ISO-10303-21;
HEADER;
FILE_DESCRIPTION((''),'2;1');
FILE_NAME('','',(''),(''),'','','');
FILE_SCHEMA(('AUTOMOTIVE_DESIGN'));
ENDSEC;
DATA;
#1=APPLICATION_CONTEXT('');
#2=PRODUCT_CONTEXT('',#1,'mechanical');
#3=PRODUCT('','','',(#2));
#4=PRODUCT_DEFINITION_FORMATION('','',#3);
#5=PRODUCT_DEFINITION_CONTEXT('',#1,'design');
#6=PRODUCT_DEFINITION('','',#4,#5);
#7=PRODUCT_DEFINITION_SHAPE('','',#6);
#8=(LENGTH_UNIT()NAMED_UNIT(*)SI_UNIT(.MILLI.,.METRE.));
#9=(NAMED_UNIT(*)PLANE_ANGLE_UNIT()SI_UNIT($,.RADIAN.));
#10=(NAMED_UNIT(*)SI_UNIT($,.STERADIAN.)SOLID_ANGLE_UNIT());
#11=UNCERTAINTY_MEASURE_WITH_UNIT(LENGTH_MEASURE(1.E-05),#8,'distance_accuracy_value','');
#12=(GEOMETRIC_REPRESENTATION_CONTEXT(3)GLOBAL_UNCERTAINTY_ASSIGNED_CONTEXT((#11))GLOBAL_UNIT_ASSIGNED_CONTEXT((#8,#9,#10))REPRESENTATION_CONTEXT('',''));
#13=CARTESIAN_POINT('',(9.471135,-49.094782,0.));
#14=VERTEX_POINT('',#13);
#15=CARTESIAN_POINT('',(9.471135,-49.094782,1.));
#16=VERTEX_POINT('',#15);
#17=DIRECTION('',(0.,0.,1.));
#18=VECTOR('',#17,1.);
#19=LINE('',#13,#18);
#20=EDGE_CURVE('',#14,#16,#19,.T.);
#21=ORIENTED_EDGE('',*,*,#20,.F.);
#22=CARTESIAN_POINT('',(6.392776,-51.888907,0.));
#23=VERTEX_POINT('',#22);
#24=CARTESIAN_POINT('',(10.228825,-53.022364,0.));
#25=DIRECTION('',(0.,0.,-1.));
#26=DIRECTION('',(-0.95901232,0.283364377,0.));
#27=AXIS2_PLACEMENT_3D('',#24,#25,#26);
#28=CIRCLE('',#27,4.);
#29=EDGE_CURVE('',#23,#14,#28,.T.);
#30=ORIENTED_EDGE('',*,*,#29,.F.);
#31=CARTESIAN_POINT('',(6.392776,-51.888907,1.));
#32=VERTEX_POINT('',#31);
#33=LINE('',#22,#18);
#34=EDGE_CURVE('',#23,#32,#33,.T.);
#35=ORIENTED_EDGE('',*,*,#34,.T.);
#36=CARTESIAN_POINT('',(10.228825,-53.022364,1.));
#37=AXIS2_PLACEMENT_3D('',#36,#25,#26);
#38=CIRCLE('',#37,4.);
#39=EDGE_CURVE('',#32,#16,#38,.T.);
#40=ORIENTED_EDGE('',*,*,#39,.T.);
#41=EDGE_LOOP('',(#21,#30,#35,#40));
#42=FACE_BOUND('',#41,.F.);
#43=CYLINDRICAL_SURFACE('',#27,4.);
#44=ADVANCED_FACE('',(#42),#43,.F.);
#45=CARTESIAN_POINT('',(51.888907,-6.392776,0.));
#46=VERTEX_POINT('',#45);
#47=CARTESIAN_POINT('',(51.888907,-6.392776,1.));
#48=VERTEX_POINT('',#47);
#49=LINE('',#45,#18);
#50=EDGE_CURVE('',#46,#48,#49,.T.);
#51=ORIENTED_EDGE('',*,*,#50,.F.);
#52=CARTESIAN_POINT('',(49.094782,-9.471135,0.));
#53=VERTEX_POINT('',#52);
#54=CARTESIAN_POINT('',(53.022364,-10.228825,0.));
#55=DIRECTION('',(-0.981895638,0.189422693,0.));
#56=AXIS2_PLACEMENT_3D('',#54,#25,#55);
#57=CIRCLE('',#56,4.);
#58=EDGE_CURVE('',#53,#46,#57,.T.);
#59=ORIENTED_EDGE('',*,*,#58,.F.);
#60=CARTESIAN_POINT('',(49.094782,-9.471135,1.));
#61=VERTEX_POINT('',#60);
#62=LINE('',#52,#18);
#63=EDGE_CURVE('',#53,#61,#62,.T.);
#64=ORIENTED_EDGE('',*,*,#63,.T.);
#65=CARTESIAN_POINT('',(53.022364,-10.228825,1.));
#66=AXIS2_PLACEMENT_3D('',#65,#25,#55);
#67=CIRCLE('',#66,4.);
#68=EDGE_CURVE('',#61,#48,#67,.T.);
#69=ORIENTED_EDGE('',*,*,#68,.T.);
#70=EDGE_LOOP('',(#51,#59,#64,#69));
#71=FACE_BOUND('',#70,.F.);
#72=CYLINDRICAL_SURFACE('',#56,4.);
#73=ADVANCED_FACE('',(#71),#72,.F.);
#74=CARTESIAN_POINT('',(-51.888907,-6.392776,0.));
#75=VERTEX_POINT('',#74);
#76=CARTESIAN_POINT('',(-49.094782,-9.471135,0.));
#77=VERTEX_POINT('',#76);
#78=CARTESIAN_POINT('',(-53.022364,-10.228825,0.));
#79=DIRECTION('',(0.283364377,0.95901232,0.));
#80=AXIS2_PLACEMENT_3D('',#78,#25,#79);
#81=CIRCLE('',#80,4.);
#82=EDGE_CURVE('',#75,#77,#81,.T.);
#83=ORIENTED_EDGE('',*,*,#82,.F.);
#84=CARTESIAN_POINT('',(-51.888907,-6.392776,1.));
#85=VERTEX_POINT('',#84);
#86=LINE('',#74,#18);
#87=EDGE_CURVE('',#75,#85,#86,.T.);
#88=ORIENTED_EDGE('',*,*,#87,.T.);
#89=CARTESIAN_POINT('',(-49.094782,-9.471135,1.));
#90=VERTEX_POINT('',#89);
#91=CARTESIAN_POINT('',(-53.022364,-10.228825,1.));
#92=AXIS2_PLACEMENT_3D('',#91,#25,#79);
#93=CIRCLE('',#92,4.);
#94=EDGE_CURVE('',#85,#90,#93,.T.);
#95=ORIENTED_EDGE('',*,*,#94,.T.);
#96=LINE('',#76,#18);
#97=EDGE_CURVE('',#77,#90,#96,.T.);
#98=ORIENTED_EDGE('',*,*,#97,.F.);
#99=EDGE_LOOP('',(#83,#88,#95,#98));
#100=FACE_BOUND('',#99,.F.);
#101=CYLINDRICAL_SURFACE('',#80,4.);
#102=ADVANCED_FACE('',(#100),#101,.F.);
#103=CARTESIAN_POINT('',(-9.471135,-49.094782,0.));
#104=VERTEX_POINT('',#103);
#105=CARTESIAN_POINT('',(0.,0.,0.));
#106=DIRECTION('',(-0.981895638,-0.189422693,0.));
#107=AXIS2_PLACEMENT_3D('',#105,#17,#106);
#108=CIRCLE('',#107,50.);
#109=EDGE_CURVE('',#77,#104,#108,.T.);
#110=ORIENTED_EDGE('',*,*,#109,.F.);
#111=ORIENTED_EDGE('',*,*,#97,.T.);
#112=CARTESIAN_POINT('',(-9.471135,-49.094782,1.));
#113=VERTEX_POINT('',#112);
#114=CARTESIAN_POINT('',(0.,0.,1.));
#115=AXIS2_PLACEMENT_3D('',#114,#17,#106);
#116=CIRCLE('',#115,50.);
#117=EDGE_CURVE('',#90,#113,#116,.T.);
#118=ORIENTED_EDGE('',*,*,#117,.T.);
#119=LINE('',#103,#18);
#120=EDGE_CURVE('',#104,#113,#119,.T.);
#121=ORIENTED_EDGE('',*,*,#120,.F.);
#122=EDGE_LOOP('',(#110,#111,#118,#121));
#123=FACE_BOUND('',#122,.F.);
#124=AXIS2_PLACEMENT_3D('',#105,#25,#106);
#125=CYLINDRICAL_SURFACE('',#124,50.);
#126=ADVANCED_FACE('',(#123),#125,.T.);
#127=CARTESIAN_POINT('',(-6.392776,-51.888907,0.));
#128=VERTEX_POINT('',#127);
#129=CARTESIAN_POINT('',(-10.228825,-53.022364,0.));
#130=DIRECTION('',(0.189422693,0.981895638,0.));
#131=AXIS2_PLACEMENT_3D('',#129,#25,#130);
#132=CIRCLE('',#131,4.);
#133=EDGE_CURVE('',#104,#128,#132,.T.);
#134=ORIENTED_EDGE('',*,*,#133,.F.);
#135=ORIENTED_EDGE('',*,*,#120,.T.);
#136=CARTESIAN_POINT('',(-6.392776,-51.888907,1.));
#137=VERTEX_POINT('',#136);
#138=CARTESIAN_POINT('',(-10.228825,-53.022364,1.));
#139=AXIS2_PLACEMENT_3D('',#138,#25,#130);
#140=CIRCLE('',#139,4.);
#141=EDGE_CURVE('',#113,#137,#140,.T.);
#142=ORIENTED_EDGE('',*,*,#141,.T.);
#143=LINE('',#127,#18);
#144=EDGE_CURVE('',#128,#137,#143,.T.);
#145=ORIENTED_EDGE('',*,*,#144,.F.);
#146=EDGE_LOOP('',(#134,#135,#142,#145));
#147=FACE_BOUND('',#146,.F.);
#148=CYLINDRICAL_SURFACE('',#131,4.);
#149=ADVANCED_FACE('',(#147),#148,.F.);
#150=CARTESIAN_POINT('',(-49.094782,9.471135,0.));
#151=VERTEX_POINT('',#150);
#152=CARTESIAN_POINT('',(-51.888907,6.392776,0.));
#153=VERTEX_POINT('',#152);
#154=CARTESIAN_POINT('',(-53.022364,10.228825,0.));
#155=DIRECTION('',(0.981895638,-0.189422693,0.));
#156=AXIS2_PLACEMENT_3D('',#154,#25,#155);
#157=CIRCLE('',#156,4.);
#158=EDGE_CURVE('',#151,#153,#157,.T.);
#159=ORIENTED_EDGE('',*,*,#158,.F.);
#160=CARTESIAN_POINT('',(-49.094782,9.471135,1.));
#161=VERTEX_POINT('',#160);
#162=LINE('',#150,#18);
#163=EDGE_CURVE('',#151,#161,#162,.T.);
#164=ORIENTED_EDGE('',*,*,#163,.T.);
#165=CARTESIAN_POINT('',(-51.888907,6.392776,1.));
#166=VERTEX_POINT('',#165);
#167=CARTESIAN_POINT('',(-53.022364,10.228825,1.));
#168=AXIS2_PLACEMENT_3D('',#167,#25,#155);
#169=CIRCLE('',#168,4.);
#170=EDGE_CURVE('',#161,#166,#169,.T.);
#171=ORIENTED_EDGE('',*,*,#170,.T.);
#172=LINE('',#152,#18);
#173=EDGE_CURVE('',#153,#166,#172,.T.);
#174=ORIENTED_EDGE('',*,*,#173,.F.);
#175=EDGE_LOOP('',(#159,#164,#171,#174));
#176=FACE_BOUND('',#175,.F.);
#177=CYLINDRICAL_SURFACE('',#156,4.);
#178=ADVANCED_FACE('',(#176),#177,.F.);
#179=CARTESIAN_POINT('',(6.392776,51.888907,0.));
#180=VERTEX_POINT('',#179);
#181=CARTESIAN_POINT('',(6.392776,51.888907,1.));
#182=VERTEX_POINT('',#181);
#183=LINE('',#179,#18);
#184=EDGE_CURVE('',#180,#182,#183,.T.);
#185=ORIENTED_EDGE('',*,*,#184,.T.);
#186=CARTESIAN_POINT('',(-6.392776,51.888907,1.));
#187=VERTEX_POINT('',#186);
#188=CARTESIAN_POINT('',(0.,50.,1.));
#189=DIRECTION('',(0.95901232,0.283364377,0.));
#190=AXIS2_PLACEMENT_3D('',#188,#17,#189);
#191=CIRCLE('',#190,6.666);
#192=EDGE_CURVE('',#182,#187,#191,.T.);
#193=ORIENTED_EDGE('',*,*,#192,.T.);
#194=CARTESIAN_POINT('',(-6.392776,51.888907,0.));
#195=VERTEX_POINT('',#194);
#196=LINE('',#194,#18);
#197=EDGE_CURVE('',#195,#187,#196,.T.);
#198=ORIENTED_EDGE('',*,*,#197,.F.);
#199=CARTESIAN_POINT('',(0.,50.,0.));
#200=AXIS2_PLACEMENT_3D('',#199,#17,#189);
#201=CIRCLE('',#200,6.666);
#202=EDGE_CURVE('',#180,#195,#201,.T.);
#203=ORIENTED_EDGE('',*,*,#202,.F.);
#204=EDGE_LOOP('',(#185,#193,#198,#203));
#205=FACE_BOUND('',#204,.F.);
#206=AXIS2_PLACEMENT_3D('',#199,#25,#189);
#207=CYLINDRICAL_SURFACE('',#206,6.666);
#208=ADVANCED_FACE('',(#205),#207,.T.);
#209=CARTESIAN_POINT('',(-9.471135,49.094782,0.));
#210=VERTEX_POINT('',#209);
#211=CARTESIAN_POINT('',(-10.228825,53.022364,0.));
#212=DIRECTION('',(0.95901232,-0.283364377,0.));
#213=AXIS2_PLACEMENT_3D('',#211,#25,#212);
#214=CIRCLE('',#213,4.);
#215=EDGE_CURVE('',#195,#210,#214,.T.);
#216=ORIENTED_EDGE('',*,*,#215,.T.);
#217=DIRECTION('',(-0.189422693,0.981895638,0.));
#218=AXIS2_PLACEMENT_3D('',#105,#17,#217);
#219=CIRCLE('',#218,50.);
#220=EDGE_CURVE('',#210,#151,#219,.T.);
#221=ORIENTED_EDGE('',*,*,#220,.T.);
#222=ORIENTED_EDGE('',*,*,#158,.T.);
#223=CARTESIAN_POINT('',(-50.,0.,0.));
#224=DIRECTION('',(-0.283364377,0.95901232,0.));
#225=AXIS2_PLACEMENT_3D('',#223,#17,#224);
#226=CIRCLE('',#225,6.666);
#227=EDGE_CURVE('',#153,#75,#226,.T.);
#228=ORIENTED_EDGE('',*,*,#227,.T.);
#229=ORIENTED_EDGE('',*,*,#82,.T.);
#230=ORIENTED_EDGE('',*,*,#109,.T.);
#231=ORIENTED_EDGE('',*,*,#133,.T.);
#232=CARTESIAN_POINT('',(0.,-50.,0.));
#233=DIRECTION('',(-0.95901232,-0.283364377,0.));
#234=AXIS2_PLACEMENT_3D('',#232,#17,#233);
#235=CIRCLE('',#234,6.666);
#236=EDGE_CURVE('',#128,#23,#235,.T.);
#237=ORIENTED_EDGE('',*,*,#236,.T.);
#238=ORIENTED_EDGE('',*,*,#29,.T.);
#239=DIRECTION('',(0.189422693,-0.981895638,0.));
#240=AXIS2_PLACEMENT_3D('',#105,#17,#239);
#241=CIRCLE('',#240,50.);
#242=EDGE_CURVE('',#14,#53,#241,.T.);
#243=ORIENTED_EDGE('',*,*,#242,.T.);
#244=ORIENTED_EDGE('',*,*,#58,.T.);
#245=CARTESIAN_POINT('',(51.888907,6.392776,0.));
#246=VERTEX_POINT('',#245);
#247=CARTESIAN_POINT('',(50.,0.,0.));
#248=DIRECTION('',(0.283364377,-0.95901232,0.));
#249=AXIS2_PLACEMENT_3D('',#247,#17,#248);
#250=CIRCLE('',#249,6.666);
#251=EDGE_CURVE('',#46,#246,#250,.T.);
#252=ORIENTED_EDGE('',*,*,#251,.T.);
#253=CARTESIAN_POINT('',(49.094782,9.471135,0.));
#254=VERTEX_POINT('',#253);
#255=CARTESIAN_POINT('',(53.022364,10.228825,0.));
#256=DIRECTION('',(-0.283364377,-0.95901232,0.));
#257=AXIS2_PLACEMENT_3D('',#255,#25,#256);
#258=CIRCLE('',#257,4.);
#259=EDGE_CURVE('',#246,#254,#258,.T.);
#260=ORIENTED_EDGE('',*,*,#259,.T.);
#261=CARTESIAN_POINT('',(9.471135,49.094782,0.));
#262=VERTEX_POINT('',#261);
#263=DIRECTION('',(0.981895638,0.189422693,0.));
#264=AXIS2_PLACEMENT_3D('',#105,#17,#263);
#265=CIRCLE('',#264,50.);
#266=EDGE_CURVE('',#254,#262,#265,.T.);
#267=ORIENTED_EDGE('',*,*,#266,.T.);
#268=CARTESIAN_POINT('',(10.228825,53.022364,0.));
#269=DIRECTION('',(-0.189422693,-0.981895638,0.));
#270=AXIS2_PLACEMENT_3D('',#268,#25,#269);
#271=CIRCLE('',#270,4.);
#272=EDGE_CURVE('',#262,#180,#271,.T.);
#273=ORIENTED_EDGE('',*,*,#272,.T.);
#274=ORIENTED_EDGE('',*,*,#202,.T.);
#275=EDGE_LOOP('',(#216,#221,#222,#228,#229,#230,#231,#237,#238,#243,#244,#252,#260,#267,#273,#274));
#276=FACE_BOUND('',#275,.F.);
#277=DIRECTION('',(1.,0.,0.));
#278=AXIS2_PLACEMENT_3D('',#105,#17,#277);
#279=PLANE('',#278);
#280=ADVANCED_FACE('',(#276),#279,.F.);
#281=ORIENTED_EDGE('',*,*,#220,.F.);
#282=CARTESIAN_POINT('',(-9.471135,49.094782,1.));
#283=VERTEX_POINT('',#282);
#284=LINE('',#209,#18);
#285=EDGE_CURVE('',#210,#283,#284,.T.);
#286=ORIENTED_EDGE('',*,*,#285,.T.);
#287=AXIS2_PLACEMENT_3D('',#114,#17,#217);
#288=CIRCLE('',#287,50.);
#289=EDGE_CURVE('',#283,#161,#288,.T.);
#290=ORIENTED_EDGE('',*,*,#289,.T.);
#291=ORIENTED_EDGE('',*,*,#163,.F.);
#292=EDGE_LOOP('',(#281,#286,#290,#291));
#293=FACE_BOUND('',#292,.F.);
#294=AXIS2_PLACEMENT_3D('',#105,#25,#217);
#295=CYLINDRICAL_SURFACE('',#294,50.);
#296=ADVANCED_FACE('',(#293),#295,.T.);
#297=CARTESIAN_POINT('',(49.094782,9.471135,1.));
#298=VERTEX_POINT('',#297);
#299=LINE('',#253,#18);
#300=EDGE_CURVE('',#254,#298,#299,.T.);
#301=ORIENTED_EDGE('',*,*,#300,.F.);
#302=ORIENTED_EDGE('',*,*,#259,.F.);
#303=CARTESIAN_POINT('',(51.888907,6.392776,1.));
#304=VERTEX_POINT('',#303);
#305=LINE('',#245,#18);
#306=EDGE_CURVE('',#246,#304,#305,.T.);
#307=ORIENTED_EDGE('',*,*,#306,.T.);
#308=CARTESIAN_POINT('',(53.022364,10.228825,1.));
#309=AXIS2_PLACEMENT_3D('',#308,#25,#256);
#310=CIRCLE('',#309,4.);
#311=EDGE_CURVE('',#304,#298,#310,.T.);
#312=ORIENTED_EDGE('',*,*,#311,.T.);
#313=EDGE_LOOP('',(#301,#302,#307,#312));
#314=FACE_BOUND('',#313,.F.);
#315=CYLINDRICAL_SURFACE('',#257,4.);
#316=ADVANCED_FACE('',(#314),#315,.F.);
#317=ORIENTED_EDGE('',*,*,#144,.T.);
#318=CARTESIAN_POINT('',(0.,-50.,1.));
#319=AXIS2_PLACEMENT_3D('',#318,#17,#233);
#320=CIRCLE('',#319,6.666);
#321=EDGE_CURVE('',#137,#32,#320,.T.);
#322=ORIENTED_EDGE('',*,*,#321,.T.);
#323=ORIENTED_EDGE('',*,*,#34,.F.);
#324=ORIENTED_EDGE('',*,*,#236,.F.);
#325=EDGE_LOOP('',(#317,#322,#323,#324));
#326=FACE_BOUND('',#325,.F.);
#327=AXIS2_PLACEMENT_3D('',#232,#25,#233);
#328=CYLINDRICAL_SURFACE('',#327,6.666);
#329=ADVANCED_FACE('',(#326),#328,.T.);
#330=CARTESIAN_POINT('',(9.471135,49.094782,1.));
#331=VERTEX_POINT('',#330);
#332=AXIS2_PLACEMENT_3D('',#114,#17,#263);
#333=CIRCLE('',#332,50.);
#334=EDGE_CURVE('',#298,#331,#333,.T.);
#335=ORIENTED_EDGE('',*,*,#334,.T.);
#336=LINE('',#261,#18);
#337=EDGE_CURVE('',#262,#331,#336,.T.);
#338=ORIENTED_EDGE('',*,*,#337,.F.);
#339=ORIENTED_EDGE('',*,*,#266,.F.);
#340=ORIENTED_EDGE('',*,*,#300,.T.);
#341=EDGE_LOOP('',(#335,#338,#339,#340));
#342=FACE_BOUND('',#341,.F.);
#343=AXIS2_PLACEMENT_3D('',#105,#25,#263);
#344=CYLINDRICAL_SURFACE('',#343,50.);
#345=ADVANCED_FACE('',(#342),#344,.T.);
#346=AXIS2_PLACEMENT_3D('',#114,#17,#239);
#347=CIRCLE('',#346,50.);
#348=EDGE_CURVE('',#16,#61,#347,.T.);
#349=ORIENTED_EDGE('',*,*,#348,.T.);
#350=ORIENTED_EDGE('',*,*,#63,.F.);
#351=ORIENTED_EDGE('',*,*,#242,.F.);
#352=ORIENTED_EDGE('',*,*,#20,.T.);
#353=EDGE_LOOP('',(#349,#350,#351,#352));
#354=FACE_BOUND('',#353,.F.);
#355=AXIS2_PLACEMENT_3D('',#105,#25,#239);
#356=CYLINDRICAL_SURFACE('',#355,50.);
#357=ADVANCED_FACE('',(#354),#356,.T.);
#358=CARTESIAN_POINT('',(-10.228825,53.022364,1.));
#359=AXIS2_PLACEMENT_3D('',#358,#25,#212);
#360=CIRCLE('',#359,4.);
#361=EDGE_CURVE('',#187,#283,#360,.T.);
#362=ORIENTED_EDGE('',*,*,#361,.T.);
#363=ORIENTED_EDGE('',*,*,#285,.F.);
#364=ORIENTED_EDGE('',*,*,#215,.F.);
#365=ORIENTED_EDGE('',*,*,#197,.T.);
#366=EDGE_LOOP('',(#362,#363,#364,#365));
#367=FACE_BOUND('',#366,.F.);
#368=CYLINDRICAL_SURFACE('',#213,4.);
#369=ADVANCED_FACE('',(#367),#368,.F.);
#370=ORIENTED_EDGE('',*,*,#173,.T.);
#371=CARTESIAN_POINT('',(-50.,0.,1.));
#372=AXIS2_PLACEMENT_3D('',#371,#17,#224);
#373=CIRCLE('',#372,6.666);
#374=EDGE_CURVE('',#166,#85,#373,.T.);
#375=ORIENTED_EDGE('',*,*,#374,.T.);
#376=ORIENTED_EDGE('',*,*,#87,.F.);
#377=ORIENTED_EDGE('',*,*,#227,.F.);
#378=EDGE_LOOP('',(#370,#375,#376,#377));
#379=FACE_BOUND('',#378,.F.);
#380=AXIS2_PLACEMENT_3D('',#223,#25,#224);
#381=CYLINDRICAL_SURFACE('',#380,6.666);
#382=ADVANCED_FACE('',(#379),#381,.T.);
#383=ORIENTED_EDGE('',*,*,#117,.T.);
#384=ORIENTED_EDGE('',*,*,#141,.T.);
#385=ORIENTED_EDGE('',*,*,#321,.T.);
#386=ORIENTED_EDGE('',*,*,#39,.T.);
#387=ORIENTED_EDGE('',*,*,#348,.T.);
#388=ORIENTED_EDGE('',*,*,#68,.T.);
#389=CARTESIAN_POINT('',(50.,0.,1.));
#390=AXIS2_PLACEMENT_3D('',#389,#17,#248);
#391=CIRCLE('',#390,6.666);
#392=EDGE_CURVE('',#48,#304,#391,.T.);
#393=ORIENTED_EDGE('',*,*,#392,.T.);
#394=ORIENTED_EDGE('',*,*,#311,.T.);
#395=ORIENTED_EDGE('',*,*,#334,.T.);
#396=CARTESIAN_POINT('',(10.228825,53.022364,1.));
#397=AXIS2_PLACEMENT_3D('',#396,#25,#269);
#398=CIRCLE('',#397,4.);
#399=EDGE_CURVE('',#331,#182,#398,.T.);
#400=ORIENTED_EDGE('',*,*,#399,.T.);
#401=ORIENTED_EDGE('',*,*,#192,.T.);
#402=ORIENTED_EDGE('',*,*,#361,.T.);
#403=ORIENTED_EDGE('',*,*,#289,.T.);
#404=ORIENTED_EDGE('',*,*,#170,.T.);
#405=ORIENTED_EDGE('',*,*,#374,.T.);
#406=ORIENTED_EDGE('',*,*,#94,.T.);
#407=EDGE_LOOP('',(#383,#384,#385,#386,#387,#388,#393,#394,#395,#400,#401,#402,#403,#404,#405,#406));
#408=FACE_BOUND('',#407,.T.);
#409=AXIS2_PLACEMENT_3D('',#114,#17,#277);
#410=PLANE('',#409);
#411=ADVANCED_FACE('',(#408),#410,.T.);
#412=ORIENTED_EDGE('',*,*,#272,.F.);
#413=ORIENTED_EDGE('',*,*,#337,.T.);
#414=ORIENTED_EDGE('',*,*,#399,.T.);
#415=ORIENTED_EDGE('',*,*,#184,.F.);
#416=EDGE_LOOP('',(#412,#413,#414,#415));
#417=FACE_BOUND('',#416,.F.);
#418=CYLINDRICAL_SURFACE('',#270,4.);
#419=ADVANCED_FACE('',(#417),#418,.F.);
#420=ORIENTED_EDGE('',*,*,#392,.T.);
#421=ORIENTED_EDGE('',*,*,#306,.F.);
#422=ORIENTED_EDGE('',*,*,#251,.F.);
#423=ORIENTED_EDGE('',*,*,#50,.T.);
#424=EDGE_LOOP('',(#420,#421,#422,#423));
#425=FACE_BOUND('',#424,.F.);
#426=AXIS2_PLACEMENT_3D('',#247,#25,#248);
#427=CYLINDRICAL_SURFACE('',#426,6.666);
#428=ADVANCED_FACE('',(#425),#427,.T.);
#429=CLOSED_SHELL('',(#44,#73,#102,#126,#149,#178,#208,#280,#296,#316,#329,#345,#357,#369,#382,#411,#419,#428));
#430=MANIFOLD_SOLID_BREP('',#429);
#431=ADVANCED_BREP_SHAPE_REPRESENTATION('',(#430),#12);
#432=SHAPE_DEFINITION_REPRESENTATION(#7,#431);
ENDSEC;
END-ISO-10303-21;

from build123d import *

# Parameters (mm, degrees)
F2_DEPTH = 1


with BuildPart() as f2:
    # F1 (on Top) → F2 (new body)
    with BuildSketch(Plane.XY):
        with BuildLine():
            ThreePointArc((-51.8889069339, -6.3927761258), (-50.060506173, -7.5404438101), (-49.0947818889, -9.4711346354))
            ThreePointArc((-49.0947818889, -9.4711346354), (-35.3553390593, -35.3553390593), (-9.4711346354, -49.0947818889))
            ThreePointArc((-9.4711346354, -49.0947818889), (-7.5404438101, -50.060506173), (-6.3927761258, -51.8889069339))
            ThreePointArc((-6.3927761258, -51.8889069339), (0, -56.666), (6.3927761258, -51.8889069339))
            ThreePointArc((6.3927761258, -51.8889069339), (7.5404438101, -50.060506173), (9.4711346354, -49.0947818889))
            ThreePointArc((9.4711346354, -49.0947818889), (35.3553390593, -35.3553390593), (49.0947818889, -9.4711346354))
            ThreePointArc((49.0947818889, -9.4711346354), (50.060506173, -7.5404438101), (51.8889069339, -6.3927761258))
            ThreePointArc((51.8889069339, -6.3927761258), (56.666, 0), (51.8889069339, 6.3927761258))
            ThreePointArc((51.8889069339, 6.3927761258), (50.060506173, 7.5404438101), (49.0947818889, 9.4711346354))
            ThreePointArc((49.0947818889, 9.4711346354), (35.3553390593, 35.3553390593), (9.4711346354, 49.0947818889))
            ThreePointArc((9.4711346354, 49.0947818889), (7.5404438101, 50.060506173), (6.3927761258, 51.8889069339))
            ThreePointArc((6.3927761258, 51.8889069339), (0, 56.666), (-6.3927761258, 51.8889069339))
            ThreePointArc((-6.3927761258, 51.8889069339), (-7.5404438101, 50.060506173), (-9.4711346354, 49.0947818889))
            ThreePointArc((-9.4711346354, 49.0947818889), (-35.3553390593, 35.3553390593), (-49.0947818889, 9.4711346354))
            ThreePointArc((-49.0947818889, 9.4711346354), (-50.060506173, 7.5404438101), (-51.8889069339, 6.3927761258))
            ThreePointArc((-51.8889069339, 6.3927761258), (-56.666, 0), (-51.8889069339, -6.3927761258))
        make_face()
    extrude(amount=F2_DEPTH)


solid = f2.part
